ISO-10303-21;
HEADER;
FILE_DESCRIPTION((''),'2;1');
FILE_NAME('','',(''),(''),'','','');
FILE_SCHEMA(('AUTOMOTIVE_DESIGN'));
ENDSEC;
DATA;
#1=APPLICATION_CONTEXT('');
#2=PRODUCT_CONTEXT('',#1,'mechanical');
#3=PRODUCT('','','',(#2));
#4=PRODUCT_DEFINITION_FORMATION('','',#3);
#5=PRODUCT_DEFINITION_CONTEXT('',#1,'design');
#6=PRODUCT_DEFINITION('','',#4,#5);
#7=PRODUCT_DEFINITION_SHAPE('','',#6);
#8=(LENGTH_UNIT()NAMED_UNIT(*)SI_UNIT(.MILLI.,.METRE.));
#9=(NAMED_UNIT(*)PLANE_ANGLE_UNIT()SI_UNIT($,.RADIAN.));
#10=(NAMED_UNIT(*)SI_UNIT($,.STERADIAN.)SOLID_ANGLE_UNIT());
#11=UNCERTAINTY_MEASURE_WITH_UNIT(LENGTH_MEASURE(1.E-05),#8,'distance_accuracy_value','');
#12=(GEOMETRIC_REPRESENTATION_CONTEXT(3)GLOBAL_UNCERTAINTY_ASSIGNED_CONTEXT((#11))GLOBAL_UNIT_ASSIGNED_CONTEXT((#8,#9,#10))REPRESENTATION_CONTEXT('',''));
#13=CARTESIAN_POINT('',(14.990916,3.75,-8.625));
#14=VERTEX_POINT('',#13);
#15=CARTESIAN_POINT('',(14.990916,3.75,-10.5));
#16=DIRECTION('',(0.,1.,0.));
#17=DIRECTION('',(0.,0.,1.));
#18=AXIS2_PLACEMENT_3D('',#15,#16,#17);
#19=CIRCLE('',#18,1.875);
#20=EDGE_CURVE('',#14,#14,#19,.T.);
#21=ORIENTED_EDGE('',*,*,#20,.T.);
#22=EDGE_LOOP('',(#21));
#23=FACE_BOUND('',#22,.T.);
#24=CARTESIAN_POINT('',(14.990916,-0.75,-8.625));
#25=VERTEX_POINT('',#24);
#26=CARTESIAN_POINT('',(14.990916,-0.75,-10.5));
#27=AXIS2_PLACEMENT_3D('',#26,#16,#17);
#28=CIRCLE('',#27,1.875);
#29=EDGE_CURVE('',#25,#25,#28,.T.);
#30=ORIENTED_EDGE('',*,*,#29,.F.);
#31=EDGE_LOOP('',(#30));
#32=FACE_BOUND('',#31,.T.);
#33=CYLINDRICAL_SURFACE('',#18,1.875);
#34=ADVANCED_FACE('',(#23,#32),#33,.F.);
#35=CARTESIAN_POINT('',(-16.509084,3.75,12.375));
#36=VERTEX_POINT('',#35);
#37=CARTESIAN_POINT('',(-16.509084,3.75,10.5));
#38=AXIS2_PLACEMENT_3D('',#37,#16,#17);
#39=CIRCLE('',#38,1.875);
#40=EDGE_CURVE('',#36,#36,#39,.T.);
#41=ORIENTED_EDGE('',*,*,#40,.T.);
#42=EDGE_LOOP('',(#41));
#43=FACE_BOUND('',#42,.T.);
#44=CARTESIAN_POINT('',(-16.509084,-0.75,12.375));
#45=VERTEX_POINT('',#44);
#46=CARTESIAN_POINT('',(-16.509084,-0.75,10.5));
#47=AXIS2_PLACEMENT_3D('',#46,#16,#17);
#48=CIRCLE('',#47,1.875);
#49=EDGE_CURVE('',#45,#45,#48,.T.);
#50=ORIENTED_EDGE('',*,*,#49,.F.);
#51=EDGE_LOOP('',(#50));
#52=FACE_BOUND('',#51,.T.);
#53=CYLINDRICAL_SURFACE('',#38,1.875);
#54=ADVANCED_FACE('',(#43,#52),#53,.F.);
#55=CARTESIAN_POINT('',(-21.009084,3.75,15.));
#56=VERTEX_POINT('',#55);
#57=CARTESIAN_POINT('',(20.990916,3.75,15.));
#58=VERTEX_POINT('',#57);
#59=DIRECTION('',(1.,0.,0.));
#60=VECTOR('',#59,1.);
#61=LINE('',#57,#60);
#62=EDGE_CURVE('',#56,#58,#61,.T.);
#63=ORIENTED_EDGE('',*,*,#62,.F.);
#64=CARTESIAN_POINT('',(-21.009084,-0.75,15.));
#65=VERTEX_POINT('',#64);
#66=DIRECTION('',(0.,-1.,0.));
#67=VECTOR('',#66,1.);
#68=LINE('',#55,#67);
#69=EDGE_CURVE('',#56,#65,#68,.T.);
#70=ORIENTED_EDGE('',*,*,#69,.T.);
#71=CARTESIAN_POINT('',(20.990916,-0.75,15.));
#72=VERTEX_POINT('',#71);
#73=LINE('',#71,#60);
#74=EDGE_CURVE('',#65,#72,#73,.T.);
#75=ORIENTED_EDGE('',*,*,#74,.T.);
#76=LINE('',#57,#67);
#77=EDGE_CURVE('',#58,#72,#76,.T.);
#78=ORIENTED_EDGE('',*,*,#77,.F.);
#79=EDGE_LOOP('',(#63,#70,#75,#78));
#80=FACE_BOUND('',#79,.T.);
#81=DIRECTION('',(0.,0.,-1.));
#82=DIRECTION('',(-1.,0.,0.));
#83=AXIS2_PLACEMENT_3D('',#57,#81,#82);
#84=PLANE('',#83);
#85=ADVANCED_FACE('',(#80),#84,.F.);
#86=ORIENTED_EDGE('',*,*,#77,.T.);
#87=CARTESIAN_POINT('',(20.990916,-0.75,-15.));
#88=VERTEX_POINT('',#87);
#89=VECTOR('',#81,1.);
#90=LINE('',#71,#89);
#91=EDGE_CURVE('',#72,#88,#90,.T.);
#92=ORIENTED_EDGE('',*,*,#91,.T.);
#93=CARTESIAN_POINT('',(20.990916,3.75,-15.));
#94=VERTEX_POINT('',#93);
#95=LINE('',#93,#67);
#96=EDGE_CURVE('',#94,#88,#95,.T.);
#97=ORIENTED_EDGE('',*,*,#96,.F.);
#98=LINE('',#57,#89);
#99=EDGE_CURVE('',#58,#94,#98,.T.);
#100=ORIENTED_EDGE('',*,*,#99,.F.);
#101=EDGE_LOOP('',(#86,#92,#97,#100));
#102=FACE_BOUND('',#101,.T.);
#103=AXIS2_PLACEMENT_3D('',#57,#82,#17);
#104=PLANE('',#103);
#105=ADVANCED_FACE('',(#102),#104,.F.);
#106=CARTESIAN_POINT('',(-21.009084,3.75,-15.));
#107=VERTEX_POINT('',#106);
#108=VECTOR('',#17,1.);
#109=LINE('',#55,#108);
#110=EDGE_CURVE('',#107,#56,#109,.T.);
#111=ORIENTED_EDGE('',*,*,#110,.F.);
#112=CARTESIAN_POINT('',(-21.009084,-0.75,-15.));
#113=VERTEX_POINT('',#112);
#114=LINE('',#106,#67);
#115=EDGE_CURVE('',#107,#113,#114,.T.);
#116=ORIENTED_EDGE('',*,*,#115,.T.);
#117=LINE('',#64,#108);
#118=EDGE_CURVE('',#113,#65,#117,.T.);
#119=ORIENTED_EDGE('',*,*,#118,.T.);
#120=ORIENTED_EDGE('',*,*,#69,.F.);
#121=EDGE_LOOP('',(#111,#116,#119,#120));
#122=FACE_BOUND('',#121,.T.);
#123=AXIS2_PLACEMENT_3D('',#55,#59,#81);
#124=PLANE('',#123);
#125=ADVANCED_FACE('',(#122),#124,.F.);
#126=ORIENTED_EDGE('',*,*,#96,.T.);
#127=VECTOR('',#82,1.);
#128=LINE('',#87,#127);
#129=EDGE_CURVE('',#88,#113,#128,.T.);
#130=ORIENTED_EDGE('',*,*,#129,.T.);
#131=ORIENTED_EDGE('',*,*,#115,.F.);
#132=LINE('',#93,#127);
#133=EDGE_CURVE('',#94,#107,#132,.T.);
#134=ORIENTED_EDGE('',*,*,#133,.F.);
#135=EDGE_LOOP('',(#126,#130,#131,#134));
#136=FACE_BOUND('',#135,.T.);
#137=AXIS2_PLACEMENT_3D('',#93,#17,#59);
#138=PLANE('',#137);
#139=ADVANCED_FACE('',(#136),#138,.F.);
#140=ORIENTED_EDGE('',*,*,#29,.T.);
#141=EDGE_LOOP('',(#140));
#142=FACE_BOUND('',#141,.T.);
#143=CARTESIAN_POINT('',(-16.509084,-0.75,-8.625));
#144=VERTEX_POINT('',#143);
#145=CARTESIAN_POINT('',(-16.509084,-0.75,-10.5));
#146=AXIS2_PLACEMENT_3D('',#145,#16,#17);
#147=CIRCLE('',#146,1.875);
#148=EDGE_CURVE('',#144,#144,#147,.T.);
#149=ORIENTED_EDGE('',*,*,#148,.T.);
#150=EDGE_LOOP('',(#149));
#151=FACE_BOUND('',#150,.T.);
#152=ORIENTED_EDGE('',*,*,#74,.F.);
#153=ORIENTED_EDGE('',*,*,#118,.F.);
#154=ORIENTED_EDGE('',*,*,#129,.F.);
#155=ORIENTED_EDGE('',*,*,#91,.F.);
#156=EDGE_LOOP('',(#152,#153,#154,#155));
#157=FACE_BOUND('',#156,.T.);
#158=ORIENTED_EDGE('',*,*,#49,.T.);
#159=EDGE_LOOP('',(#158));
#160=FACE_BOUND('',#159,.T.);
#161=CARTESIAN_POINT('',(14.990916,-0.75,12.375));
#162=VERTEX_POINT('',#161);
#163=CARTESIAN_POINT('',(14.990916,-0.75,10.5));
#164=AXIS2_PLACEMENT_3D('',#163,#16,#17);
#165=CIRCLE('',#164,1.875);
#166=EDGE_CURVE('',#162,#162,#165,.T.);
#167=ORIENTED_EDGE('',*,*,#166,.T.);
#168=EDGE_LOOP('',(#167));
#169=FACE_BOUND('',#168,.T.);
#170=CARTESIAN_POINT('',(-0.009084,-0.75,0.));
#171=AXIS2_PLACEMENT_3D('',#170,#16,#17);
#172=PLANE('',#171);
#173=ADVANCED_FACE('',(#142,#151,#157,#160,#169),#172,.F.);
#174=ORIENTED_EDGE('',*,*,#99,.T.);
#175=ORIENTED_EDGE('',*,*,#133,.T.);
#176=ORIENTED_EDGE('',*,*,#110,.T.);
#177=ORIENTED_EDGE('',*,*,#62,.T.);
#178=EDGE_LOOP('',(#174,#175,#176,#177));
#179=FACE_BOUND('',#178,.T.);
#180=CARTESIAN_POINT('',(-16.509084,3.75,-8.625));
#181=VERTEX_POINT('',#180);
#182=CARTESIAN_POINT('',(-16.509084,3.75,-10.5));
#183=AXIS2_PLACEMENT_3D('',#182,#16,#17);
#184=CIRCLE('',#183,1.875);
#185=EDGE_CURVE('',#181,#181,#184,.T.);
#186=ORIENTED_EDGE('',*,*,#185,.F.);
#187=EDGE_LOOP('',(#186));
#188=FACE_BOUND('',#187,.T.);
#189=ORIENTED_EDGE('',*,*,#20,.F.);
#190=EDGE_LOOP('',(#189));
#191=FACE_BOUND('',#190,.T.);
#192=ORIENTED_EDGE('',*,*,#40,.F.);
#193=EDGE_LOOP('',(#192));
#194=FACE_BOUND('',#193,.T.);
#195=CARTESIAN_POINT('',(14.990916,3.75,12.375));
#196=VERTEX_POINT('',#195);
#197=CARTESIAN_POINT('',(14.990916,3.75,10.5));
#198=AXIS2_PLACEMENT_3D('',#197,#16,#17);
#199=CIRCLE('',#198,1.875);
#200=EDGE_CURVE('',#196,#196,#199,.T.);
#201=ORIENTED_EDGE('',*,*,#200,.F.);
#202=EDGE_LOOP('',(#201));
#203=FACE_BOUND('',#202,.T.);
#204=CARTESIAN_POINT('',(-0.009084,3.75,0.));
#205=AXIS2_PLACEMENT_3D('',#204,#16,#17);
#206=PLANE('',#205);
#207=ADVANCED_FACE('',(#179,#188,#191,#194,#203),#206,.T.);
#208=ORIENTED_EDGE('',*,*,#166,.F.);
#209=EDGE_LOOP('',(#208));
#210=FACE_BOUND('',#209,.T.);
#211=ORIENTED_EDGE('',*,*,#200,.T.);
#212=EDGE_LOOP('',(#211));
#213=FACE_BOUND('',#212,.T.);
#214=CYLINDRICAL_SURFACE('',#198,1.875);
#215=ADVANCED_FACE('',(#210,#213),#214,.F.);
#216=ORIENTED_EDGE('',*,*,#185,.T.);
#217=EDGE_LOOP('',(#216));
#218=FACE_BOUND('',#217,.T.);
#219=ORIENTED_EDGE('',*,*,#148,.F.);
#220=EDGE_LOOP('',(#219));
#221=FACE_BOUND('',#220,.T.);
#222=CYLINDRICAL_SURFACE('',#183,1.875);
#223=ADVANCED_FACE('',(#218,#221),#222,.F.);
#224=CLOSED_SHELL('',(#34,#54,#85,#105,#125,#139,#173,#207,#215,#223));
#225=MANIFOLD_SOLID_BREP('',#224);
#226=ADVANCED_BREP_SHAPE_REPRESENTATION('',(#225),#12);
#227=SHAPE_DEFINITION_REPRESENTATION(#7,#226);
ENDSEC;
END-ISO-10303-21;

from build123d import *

# Parameters (mm, degrees)
SKETCH1_W           = 28
SKETCH1_H           = 20
BOSS_EXTRUDE1_DEPTH = 3
M3_TAPPED_HOLE1_D   = 2.5
SCALE1_SCALE        = 1.5


with BuildPart() as part:
    # Sketch1 → Boss-Extrude1 (new body)
    with BuildSketch(Plane(origin=(0, 0, 0), x_dir=(1, 0, 0), z_dir=(0, 1, 0))):
        Rectangle(SKETCH1_W, SKETCH1_H)
    extrude(amount=BOSS_EXTRUDE1_DEPTH)

    # M3 Tapped Hole1 (through all)
    with Locations(Plane(origin=(0, 3, 0), x_dir=(1, 0, 0), z_dir=(0, 1, 0))):
        with Locations((-11, 7), (-11, -7), (10, -7), (10, 7)):
            Hole(M3_TAPPED_HOLE1_D / 2)


with BuildPart() as part_1:
    # Scale1: scaled about (0.018168231, 1.5, 0)
    add(part.part.scale(SCALE1_SCALE).moved(Location((-0.009084115, -0.75, 0))))


solid = part_1.part
